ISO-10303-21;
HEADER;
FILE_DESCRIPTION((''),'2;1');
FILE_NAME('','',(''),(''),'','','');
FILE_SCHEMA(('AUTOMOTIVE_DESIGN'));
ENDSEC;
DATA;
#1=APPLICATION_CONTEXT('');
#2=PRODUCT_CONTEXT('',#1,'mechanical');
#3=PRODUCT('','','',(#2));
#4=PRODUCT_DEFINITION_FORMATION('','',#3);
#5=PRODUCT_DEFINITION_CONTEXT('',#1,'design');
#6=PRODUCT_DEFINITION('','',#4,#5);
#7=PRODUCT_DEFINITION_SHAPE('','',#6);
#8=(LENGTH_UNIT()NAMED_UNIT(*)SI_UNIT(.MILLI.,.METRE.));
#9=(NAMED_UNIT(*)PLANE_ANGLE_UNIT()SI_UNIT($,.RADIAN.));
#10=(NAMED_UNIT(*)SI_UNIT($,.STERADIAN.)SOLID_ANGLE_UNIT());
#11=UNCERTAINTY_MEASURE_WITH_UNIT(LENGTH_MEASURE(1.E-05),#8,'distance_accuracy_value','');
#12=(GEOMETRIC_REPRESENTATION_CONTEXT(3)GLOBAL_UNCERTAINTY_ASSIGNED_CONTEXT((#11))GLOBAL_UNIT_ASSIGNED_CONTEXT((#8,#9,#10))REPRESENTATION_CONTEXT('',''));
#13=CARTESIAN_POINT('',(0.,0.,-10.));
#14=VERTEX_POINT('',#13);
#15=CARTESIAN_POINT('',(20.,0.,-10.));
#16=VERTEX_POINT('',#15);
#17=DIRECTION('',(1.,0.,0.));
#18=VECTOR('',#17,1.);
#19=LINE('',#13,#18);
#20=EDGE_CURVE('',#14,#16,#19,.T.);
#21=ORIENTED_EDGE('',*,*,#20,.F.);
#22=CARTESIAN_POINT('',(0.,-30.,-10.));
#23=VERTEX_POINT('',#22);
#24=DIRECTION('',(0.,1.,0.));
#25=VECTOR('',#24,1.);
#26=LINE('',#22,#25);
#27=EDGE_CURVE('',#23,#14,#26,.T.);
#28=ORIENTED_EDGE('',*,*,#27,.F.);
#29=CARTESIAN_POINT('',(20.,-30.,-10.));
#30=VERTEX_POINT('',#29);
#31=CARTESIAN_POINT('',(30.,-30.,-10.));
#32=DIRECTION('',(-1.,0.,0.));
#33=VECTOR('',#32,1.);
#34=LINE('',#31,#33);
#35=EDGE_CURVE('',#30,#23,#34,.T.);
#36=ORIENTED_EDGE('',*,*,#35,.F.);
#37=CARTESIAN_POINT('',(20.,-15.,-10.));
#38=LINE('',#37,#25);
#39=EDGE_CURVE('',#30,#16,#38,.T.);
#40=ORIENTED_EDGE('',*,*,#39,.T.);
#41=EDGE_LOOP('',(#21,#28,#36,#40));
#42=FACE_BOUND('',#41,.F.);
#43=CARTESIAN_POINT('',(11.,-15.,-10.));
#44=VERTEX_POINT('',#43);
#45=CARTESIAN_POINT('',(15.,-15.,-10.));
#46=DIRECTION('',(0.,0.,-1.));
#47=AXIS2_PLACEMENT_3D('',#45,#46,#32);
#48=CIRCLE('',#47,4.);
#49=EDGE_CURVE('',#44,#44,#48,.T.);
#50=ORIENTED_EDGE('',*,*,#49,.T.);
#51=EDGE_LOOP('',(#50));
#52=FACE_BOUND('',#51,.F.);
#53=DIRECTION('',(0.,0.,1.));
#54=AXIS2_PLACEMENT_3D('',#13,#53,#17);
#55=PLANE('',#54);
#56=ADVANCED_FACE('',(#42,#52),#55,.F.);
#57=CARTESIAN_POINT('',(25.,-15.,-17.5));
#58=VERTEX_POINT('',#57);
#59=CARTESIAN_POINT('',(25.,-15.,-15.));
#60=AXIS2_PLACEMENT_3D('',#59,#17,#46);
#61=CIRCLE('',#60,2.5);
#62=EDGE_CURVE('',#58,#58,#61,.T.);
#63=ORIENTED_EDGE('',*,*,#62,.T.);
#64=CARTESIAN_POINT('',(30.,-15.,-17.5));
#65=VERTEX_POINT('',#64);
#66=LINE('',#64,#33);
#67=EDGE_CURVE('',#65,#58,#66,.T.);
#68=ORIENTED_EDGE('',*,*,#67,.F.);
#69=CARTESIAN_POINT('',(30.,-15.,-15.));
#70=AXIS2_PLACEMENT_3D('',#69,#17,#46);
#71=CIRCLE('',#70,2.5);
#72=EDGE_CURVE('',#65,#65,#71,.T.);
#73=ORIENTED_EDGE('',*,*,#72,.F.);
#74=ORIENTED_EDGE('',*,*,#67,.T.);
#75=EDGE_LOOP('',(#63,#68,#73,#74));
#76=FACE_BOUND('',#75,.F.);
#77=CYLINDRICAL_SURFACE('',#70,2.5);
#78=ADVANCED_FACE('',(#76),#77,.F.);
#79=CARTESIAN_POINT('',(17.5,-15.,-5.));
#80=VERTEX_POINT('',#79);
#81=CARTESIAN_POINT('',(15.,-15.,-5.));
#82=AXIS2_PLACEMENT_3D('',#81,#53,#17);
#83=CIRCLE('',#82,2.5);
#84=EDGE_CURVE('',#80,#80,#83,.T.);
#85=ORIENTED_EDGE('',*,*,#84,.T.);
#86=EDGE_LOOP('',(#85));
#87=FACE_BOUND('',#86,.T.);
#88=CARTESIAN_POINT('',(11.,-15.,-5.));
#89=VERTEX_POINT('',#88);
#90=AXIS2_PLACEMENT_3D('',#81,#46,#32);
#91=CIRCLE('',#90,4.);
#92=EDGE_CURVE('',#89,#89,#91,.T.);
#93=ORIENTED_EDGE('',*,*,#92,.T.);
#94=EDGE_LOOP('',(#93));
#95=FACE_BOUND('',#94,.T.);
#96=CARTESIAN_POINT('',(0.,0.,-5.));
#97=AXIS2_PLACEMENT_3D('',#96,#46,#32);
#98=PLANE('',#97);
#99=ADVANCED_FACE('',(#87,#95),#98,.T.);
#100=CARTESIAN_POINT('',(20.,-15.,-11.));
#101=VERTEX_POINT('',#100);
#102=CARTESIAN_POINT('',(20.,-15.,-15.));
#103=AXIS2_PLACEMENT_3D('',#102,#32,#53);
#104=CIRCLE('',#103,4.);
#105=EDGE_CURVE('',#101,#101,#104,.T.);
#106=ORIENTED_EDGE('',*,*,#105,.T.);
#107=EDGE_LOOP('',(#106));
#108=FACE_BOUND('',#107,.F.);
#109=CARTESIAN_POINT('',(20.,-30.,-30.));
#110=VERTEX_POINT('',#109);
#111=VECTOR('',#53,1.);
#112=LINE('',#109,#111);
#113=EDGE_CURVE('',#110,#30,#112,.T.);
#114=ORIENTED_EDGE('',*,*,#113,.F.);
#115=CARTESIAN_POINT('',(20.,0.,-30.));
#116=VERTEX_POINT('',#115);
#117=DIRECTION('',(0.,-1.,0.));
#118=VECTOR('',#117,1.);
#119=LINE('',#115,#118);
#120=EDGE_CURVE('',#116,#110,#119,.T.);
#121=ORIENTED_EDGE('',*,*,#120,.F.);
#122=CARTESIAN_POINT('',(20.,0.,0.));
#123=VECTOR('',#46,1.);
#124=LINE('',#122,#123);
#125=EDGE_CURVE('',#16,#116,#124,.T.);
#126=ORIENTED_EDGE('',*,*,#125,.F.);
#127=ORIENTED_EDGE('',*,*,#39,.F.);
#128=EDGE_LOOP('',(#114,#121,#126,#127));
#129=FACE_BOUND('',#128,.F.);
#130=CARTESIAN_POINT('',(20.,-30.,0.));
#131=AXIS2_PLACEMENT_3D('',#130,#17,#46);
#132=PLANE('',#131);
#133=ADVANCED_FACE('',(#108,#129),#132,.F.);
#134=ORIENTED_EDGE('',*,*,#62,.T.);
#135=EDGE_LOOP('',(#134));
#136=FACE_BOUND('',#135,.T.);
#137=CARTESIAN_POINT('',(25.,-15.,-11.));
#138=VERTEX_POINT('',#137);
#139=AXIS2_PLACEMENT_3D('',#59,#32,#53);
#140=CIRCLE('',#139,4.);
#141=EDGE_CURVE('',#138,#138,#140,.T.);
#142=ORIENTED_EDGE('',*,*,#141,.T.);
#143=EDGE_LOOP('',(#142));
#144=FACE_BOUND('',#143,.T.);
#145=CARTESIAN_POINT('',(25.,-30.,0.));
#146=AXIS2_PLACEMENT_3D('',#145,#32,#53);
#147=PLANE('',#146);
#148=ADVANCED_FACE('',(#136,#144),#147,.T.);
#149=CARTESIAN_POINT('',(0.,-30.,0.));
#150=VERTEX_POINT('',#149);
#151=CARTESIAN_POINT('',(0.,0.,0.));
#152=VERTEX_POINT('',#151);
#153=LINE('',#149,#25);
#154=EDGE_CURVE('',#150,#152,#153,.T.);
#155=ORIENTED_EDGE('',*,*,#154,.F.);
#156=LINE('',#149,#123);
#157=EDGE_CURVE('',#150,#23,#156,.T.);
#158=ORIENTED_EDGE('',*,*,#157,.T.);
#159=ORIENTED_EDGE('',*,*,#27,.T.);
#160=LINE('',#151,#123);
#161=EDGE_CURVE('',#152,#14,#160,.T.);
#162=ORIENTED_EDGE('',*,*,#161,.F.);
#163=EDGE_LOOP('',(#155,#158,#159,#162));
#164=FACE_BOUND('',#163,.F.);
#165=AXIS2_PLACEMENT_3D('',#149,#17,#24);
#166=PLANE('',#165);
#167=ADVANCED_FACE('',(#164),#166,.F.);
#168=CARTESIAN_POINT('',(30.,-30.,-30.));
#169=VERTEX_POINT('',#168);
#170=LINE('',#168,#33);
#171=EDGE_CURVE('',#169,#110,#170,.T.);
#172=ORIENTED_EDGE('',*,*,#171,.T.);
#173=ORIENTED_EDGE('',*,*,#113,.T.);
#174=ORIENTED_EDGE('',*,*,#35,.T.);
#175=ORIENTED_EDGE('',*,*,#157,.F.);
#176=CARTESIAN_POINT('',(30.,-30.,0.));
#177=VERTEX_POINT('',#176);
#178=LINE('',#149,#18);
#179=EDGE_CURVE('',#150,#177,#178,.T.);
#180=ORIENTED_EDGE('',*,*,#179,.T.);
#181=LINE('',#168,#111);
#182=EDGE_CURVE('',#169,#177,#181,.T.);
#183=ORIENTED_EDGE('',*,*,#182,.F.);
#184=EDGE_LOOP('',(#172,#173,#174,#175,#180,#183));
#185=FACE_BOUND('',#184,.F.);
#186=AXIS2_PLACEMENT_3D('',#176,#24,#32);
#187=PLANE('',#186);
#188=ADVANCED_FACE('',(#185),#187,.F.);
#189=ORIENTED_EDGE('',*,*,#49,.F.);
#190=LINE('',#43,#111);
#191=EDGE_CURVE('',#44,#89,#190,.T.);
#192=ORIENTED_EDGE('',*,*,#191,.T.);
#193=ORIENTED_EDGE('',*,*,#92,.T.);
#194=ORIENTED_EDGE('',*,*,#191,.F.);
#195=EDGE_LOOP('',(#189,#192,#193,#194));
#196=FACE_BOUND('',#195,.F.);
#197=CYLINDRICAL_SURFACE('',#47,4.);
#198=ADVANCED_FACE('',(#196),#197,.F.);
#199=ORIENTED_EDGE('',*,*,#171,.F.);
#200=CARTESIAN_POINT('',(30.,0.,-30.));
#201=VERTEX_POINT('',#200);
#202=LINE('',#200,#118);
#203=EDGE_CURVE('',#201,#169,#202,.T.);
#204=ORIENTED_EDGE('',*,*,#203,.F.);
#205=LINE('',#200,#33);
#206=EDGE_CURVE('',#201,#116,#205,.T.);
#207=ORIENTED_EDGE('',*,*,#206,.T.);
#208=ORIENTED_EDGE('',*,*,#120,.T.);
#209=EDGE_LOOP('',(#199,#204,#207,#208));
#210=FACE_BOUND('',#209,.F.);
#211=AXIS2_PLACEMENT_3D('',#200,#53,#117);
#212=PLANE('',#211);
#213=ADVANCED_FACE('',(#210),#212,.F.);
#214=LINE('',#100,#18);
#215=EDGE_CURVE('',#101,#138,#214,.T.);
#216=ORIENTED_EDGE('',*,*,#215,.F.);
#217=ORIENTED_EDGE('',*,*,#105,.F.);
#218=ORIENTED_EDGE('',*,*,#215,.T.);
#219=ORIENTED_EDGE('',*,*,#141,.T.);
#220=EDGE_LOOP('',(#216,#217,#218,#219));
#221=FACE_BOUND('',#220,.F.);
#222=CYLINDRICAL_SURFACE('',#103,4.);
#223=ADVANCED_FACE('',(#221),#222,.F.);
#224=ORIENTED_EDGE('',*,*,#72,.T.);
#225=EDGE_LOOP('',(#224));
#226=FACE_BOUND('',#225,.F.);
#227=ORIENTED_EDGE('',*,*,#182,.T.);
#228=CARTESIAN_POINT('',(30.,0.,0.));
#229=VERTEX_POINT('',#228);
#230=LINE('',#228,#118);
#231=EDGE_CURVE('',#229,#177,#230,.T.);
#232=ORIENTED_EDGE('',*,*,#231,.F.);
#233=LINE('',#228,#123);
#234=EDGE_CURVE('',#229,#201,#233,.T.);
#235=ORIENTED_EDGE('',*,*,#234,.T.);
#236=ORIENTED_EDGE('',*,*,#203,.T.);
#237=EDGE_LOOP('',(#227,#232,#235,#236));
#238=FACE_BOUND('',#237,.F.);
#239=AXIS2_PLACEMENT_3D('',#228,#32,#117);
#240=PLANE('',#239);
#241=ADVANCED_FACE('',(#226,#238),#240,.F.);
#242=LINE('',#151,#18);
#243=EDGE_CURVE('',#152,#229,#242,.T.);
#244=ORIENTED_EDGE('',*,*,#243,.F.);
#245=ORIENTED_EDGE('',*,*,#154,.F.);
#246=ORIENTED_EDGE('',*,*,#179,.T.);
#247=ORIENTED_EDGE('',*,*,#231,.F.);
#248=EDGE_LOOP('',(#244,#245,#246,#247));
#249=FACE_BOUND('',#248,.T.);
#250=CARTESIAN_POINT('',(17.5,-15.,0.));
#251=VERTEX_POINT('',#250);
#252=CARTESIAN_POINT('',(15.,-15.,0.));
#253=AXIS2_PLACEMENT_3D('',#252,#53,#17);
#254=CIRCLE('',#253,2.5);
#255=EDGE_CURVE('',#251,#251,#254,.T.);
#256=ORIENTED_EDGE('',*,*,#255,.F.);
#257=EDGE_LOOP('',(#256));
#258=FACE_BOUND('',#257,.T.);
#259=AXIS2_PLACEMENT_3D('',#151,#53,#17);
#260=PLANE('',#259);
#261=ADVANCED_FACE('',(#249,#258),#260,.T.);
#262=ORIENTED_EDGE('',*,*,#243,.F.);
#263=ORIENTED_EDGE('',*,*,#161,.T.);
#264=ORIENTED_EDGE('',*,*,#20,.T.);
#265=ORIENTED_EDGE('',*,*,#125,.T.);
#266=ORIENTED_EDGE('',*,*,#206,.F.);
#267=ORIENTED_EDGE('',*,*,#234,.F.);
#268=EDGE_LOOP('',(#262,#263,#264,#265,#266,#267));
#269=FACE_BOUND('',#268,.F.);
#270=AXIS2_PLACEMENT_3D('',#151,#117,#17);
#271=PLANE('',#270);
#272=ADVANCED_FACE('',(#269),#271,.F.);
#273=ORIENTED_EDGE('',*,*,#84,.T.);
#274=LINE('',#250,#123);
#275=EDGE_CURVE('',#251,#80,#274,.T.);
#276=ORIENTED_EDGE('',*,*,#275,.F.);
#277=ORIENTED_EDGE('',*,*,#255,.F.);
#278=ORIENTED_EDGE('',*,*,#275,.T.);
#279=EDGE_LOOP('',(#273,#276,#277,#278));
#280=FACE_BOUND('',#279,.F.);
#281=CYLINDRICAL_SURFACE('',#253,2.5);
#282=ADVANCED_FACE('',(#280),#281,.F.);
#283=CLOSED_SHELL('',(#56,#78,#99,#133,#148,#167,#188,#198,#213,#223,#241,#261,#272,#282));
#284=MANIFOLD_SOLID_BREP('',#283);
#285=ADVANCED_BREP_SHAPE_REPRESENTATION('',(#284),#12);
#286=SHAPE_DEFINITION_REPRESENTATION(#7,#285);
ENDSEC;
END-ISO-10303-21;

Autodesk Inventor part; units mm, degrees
ref_plane "YZ Plane" through (0, 0, 0) normal (1, 0, 0) x (0, 1, 0)
ref_plane "XZ Plane" through (0, 0, 0) normal (0, 1, 0) x (-1, 0, 0)
ref_plane "XY Plane" through (0, 0, 0) normal (0, 0, 1) x (1, 0, 0)
sketch "Sketch34" plane through (0, 0, 0) normal (0, 0, 1) x (1, 0, 0)
  line L0 (0, 0) -> (30, 0)
  line L1 (30, 0) -> (30, -30)
  line L2 (30, -30) -> (0, -30)
  line L3 (0, -30) -> (0, 0)
  dimension "d112" = 30
  dimension "d113" = 30
extrude "Extrusion25" add sketch "Sketch34" against normal blind 10
sketch "Sketch35" plane through (30, -30, 0) normal (1, 0, 0) x (0, 0, -1)
  line L0 (0, 30) -> (10, 30) projected
  line L1 (0, 30) -> (30, 30)
  line L2 (30, 30) -> (30, 0)
  line L3 (30, 0) -> (0, 0)
  line L4 (0, 0) -> (0, 30)
  dimension "d116" = 30
  dimension "d117" = 30
extrude "Extrusion26" add sketch "Sketch35" against normal blind 10
sketch "Sketch36" plane through (0, 0, 0) normal (0, 0, 1) x (1, 0, 0)
  circle A0 centre (15, -15) radius 2.5
  point P0 (0, 0)
  dimension "d120" = 5
extrude "Extrusion27" cut sketch "Sketch36" against normal blind 10
sketch "Sketch37" plane through (30, -30, 0) normal (1, 0, 0) x (0, 0, -1)
  point P0 (0, 30)
sketch "Sketch38" plane through (30, -30, 0) normal (1, 0, 0) x (0, 0, -1)
  circle A0 centre (15, 15) radius 2.5
  point P0 (0, 30)
  dimension "d123" = 5
extrude "Extrusion28" cut sketch "Sketch38" against normal blind 10
sketch "Sketch39" plane through (30, -30, 0) normal (1, 0, 0) x (0, 0, -1)
  point P0 (0, 30)
sketch "Sketch42" plane through (0, 0, -10) normal (0, 0, -1) x (-1, 0, 0)
  circle A0 centre (-15, -15) radius 4
  point P0 (0, 0)
  dimension "d132" = 8
extrude "Extrusion31" cut sketch "Sketch42" against normal blind 5
sketch "Sketch43" plane through (20, -30, 0) normal (-1, 0, 0) x (0, 0, 1)
  circle A0 centre (-15, 15) radius 4
  point P0 (0, 30)
  dimension "d135" = 8
extrude "Extrusion32" cut sketch "Sketch43" against normal blind 5
properties part number "tunnel corner bracket"
